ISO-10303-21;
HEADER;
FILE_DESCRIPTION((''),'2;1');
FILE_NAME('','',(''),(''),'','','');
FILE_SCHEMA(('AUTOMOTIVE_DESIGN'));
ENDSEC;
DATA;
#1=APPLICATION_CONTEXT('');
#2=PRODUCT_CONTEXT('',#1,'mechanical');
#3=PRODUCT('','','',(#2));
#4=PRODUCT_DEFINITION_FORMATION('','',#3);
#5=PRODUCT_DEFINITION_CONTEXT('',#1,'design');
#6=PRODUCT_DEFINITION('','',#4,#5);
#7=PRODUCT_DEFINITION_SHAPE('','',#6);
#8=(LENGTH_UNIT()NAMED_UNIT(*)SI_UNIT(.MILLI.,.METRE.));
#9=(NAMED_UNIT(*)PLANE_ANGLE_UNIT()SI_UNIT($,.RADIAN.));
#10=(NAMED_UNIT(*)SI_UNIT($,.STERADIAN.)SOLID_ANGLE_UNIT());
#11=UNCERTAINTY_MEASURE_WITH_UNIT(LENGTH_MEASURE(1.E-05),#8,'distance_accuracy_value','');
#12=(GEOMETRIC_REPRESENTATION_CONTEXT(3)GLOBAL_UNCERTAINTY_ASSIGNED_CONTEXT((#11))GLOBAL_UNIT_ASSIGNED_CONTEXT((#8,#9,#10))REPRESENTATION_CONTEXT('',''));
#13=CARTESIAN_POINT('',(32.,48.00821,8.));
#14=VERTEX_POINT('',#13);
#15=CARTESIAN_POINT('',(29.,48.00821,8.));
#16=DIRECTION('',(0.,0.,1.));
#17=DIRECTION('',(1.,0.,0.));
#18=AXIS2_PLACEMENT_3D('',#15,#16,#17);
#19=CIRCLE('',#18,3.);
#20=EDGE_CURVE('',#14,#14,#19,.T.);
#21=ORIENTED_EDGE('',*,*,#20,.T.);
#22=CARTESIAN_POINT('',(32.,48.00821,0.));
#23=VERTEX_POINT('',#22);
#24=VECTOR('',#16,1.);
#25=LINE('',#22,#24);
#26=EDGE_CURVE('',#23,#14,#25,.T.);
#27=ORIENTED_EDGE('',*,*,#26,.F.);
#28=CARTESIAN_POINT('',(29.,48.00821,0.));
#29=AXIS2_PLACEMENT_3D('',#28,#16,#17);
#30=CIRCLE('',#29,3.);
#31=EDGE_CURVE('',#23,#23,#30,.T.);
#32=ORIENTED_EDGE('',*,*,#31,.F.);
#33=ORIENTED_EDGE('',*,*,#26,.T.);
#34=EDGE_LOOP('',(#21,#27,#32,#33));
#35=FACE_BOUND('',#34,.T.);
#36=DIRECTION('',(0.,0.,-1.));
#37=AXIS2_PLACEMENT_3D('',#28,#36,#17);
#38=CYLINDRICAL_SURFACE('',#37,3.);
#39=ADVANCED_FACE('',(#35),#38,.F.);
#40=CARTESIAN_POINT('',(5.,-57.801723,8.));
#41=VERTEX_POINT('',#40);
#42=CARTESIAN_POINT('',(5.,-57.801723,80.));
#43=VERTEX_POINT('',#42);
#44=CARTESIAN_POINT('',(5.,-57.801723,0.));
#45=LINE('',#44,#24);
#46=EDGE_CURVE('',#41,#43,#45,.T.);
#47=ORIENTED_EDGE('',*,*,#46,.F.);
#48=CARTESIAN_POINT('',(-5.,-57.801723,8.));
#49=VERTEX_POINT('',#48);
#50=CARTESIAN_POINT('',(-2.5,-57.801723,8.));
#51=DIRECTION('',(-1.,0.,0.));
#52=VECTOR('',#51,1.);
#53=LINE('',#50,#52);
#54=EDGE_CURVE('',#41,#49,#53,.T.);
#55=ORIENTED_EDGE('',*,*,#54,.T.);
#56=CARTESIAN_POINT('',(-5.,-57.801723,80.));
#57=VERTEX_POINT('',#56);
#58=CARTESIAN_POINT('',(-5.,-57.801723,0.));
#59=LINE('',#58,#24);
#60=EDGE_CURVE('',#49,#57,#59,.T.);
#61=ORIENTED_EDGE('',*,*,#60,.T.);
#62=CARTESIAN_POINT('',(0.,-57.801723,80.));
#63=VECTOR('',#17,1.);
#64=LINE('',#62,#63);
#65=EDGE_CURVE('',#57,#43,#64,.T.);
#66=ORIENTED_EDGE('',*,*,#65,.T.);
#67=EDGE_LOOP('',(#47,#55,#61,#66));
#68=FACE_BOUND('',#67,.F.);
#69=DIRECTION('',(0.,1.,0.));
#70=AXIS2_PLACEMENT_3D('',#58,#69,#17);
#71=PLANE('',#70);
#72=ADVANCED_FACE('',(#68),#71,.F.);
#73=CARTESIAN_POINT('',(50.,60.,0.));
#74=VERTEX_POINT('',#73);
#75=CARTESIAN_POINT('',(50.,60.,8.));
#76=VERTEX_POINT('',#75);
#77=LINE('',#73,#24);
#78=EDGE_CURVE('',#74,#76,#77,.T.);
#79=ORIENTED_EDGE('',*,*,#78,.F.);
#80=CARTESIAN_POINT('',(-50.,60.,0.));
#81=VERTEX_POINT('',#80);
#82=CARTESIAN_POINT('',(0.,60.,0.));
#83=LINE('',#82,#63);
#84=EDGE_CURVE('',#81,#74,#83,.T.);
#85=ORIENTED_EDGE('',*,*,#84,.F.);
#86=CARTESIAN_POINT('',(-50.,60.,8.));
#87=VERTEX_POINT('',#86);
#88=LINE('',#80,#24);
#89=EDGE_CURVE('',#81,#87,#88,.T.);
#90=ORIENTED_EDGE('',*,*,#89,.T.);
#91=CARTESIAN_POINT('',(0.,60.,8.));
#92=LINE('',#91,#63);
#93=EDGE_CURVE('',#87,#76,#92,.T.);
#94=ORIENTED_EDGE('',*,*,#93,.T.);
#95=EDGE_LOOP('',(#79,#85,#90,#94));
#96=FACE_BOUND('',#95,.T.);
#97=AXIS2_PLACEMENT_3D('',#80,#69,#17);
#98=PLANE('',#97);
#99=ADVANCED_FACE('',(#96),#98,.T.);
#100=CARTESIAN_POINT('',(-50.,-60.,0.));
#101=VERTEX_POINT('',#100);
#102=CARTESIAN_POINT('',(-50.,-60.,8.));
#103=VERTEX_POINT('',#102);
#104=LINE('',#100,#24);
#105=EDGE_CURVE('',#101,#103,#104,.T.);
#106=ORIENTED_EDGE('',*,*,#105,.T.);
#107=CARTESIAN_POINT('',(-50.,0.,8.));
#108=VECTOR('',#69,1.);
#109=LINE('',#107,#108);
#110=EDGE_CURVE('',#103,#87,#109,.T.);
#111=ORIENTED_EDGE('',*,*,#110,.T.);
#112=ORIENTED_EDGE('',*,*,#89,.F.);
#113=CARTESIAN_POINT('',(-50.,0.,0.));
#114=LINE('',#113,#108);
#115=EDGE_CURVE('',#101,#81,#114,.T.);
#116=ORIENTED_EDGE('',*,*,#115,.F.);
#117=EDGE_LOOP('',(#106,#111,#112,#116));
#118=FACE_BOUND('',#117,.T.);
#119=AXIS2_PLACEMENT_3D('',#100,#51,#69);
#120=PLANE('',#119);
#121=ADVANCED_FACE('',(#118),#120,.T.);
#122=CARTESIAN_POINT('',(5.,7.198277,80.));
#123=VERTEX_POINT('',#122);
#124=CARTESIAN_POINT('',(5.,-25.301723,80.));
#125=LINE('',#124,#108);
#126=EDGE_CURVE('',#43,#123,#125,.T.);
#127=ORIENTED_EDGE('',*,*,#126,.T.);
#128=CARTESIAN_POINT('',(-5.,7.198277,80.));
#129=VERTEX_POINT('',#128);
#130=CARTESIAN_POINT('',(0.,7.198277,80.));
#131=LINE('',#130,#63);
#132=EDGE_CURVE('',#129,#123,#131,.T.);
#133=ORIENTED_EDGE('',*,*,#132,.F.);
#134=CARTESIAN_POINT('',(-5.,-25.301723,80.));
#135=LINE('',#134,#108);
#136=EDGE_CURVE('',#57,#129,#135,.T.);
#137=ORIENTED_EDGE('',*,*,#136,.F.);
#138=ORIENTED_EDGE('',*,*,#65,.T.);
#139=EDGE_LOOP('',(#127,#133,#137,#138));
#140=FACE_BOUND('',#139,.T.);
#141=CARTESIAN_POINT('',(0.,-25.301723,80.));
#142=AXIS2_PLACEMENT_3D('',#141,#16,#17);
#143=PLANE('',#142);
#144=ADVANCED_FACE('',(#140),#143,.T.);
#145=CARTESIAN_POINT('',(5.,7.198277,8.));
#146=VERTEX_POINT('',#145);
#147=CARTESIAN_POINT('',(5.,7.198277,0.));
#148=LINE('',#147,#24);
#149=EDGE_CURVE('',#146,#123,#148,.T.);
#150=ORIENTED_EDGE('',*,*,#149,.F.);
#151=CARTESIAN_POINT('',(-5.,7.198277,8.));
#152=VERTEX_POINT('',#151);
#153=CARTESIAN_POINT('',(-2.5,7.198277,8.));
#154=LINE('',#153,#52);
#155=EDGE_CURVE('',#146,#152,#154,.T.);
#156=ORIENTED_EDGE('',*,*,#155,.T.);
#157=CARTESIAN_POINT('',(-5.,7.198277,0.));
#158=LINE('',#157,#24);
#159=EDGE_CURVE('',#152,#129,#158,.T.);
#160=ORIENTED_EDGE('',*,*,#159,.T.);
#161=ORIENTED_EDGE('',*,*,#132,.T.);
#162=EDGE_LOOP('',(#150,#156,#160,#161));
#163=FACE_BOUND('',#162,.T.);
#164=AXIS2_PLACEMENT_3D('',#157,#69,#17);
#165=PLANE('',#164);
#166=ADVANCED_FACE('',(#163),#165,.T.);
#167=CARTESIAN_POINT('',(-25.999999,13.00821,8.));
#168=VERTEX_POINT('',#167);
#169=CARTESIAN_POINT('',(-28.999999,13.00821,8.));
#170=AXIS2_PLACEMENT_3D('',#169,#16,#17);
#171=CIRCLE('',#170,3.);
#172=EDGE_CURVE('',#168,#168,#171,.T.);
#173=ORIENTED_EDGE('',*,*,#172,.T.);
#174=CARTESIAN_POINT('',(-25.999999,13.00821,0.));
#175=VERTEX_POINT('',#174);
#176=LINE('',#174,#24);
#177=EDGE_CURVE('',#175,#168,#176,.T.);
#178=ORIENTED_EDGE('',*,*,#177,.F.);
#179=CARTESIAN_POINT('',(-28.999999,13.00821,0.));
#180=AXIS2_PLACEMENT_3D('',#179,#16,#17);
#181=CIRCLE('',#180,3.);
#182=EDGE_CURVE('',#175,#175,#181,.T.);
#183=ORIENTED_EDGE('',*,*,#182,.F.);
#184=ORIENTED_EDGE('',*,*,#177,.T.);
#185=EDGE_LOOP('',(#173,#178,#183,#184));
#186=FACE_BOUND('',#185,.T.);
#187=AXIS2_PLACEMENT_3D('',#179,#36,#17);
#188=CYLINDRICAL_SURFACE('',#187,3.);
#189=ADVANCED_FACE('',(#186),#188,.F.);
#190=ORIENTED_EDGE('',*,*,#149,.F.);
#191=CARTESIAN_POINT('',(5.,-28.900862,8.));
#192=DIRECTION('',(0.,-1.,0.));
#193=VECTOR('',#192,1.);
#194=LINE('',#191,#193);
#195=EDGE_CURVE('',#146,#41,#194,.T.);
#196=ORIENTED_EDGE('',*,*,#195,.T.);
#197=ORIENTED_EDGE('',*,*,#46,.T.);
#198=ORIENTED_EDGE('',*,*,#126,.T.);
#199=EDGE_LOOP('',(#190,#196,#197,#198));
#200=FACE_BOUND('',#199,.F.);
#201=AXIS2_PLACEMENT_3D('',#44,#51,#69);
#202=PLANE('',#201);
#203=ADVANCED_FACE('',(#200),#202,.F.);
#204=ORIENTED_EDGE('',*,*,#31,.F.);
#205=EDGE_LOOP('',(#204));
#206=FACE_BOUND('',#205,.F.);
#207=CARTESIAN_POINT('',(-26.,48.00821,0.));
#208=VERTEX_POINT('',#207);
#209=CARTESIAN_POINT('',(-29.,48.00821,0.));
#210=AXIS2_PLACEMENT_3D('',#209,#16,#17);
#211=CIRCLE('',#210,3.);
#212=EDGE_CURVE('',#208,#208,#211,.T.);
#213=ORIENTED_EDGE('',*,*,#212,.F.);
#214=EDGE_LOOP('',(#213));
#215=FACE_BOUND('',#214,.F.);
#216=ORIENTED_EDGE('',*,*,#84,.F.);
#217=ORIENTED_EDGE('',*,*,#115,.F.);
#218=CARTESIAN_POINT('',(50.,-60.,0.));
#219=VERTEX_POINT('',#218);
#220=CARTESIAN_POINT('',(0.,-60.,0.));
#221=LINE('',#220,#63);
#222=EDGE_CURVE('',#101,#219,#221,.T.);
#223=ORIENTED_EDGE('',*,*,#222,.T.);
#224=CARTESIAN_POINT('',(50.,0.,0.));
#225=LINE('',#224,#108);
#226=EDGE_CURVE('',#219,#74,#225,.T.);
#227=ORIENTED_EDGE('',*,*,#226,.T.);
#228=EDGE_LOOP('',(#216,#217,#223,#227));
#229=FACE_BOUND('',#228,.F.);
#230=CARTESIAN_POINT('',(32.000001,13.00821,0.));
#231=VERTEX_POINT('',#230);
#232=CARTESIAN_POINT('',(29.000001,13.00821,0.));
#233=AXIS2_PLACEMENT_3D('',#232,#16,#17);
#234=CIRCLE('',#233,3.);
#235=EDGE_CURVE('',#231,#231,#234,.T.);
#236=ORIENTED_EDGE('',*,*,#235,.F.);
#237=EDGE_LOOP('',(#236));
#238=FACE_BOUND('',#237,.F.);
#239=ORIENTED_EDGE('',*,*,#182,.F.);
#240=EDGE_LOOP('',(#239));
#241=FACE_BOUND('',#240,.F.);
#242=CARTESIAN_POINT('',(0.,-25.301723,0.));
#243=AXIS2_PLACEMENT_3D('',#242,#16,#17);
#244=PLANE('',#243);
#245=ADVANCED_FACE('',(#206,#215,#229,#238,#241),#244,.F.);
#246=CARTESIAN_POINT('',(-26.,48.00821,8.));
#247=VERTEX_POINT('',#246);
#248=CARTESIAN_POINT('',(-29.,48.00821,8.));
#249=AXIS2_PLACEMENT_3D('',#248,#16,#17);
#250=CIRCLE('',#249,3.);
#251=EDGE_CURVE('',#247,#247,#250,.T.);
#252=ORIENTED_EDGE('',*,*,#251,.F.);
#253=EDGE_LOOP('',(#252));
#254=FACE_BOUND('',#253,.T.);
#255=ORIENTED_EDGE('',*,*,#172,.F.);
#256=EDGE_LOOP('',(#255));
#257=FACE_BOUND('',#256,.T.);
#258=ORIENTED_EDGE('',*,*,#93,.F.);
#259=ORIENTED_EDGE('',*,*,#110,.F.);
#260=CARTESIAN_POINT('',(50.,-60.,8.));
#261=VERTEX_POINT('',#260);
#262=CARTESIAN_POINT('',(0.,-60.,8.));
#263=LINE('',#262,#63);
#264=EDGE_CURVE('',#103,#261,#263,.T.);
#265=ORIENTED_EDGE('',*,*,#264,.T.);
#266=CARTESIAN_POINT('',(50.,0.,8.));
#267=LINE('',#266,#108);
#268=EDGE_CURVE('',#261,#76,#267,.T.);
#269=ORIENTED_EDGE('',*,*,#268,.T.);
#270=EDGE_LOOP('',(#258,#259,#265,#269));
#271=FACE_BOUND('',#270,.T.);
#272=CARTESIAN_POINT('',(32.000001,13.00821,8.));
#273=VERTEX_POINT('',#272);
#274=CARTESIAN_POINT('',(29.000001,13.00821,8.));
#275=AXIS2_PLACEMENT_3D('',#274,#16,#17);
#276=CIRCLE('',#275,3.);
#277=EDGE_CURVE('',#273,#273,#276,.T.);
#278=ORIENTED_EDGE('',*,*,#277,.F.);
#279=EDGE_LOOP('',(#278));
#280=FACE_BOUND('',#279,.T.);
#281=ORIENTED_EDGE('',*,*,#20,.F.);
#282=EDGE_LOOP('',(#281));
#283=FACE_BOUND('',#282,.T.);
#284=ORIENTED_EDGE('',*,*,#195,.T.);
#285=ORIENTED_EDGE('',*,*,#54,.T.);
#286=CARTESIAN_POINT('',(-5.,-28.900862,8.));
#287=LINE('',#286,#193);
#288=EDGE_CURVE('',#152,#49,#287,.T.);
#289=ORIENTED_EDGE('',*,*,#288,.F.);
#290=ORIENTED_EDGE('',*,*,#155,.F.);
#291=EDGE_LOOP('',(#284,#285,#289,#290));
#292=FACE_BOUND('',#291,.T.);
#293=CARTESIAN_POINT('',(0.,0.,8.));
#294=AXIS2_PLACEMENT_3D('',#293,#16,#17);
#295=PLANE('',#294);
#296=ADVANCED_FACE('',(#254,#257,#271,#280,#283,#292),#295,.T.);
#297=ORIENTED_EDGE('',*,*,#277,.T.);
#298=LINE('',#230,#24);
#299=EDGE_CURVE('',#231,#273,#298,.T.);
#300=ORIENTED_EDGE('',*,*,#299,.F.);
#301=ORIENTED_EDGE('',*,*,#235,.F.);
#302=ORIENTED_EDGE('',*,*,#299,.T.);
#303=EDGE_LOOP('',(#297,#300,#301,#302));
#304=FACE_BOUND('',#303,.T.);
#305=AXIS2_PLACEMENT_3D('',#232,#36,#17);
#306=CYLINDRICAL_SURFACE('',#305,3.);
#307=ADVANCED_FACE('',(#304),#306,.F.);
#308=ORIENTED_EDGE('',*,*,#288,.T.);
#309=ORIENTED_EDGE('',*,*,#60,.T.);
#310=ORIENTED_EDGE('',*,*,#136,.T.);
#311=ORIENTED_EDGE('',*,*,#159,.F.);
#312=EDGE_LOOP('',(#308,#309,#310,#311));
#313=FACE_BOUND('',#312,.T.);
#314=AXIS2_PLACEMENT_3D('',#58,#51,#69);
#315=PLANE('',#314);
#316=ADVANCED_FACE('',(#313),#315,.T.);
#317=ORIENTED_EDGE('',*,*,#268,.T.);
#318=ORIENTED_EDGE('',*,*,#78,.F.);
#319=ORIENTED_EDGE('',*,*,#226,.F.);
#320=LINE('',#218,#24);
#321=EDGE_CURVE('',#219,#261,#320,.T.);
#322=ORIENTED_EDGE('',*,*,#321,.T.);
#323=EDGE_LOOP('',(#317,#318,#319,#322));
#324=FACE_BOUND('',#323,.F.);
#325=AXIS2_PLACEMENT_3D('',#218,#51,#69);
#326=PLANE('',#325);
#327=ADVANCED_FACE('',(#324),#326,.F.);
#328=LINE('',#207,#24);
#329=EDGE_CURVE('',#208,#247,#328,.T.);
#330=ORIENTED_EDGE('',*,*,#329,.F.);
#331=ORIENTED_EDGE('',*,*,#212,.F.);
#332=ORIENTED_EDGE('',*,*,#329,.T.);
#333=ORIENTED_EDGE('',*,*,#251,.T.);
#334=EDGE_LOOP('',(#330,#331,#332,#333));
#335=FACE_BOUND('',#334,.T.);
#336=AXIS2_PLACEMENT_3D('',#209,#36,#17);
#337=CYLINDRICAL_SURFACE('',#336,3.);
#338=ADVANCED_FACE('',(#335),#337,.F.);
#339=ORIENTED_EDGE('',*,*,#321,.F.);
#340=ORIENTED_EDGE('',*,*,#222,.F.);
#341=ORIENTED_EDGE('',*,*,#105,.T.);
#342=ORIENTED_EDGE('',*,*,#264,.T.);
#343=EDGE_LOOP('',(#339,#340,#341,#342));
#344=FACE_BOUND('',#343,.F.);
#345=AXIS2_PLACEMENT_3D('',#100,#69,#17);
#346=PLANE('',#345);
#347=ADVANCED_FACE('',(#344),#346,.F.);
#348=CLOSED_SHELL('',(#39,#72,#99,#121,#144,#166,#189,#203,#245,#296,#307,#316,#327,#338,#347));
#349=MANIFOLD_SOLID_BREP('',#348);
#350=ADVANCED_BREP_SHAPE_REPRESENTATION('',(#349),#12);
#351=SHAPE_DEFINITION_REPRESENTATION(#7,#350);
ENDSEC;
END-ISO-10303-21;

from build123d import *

# Parameters (mm, degrees)
F0_W     = 100
F0_H     = 120
F0_W_2   = 10
F0_H_2   = 65
F0_R     = 3
F1_DEPTH = 8
F2_DEPTH = 80


with BuildPart() as f1:
    # F0 (on Top) → F1 (new body)
    with BuildSketch(Plane.XY):
        Rectangle(F0_W, F0_H)
        with Locations((0, -25.301723)):
            Rectangle(F0_W_2, F0_H_2, mode=Mode.SUBTRACT)
        with Locations((-28.999999, 13.00821)):
            Circle(F0_R, mode=Mode.SUBTRACT)
        with Locations((-29, 48.00821)):
            Circle(F0_R, mode=Mode.SUBTRACT)
        with Locations((29.000001, 13.00821)):
            Circle(F0_R, mode=Mode.SUBTRACT)
        with Locations((29, 48.00821)):
            Circle(F0_R, mode=Mode.SUBTRACT)
        with Locations((0, -25.301723)):
            Rectangle(F0_W_2, F0_H_2)
    extrude(amount=F1_DEPTH)

    # F0 (on Top) → F2 (join)
    with BuildSketch(Plane.XY):
        with Locations((0, -25.301723)):
            Rectangle(F0_W_2, F0_H_2)
    extrude(amount=F2_DEPTH)


solid = f1.part
